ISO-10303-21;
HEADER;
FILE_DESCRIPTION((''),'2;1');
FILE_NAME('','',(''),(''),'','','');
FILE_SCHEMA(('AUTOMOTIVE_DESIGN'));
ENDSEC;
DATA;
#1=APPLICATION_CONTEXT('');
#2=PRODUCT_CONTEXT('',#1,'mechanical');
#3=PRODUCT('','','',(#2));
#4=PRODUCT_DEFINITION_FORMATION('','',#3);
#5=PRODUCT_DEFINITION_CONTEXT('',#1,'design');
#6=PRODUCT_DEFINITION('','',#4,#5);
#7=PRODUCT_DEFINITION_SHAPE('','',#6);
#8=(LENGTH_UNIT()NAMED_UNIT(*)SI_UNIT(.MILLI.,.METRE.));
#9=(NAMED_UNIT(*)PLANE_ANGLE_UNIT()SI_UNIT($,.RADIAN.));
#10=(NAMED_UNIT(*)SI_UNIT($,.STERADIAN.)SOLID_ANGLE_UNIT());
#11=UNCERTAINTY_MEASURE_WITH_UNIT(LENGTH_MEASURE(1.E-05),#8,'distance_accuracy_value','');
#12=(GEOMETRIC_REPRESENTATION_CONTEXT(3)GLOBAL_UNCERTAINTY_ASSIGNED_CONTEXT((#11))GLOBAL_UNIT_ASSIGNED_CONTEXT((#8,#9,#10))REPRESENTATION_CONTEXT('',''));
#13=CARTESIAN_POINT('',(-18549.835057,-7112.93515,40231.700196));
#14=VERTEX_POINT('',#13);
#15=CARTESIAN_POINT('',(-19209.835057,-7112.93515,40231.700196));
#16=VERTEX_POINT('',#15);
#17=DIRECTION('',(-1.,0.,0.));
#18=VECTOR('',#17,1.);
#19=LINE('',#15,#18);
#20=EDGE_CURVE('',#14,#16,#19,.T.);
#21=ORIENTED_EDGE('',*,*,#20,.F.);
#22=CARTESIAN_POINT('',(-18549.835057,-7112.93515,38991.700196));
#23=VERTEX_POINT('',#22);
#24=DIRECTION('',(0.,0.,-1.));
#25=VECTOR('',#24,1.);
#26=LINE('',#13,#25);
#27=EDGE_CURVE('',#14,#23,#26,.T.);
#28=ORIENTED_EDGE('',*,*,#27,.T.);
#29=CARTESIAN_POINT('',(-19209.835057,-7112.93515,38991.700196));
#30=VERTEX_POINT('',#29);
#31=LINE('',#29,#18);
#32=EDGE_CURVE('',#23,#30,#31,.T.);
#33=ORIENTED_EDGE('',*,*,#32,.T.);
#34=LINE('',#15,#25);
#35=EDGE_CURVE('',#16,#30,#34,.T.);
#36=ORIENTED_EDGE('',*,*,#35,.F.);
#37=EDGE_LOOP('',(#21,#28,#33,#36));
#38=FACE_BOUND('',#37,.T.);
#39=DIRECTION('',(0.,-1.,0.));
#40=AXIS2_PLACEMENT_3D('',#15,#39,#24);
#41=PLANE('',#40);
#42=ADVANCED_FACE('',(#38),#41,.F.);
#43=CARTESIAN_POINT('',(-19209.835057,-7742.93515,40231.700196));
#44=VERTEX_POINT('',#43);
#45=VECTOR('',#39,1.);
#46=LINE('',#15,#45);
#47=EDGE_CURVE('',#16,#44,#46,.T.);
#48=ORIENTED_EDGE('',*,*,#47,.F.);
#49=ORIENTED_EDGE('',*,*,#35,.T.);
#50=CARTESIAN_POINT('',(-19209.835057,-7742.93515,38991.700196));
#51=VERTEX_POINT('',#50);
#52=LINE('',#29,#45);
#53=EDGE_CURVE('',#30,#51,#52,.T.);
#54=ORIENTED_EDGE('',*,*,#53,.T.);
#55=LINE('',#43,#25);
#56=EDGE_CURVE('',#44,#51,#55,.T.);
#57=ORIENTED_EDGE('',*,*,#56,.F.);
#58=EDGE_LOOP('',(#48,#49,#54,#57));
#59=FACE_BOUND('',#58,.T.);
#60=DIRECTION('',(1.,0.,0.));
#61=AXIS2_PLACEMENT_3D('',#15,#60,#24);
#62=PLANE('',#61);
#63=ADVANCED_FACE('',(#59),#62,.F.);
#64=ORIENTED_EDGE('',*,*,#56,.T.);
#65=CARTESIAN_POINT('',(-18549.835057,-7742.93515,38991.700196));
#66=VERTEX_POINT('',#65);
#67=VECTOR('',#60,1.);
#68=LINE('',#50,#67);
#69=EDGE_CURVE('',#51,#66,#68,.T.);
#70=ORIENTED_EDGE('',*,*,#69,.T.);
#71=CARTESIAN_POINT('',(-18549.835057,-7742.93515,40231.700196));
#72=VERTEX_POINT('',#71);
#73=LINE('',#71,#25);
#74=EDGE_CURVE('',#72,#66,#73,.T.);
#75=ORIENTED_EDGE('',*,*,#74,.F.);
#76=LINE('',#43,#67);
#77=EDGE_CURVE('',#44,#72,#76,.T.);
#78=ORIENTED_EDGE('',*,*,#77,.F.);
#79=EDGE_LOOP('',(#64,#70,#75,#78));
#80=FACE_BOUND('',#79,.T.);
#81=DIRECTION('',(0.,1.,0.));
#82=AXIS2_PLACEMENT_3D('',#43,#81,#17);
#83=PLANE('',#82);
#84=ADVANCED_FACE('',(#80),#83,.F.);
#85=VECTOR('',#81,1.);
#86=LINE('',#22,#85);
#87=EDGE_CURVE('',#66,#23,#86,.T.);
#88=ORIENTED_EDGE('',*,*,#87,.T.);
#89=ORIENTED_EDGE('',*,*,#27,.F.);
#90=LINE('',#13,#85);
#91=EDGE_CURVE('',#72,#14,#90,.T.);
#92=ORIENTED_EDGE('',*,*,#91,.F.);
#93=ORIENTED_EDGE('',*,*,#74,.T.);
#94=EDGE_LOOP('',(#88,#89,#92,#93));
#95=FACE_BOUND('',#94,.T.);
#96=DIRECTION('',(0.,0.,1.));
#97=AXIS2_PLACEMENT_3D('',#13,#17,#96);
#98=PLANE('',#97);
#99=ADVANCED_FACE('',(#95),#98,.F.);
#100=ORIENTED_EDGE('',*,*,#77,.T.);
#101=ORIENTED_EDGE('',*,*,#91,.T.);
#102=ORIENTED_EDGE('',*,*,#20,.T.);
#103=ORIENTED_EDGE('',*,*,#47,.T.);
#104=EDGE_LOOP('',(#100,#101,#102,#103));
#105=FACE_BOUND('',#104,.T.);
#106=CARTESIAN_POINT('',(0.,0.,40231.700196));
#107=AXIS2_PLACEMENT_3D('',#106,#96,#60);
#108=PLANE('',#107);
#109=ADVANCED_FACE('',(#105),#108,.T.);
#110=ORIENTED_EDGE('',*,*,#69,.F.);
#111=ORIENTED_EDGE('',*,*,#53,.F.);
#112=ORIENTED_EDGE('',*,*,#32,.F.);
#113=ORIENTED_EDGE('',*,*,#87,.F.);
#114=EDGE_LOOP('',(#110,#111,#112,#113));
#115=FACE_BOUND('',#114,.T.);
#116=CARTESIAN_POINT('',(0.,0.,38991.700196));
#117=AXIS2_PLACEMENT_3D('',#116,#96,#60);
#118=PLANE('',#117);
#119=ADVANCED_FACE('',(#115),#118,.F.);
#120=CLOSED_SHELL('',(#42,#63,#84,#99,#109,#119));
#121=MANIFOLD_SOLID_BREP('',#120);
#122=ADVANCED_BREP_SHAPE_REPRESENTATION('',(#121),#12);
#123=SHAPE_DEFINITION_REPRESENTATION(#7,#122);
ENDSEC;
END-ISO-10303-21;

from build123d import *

# Parameters (mm, degrees)
BOSS_EXTRUDE1_START = 120
SKETCH1_W           = 660
SKETCH1_H           = 630
BOSS_EXTRUDE1_DEPTH = 1240


with BuildPart() as part:
    # Sketch1 → Boss-Extrude1 (new body)
    with BuildSketch(Plane.XY.offset(38871.700196057).offset(BOSS_EXTRUDE1_START)):
        with Locations((-18879.835057343, -7427.935150401)):
            Rectangle(SKETCH1_W, SKETCH1_H)
    extrude(amount=BOSS_EXTRUDE1_DEPTH)


solid = part.part
